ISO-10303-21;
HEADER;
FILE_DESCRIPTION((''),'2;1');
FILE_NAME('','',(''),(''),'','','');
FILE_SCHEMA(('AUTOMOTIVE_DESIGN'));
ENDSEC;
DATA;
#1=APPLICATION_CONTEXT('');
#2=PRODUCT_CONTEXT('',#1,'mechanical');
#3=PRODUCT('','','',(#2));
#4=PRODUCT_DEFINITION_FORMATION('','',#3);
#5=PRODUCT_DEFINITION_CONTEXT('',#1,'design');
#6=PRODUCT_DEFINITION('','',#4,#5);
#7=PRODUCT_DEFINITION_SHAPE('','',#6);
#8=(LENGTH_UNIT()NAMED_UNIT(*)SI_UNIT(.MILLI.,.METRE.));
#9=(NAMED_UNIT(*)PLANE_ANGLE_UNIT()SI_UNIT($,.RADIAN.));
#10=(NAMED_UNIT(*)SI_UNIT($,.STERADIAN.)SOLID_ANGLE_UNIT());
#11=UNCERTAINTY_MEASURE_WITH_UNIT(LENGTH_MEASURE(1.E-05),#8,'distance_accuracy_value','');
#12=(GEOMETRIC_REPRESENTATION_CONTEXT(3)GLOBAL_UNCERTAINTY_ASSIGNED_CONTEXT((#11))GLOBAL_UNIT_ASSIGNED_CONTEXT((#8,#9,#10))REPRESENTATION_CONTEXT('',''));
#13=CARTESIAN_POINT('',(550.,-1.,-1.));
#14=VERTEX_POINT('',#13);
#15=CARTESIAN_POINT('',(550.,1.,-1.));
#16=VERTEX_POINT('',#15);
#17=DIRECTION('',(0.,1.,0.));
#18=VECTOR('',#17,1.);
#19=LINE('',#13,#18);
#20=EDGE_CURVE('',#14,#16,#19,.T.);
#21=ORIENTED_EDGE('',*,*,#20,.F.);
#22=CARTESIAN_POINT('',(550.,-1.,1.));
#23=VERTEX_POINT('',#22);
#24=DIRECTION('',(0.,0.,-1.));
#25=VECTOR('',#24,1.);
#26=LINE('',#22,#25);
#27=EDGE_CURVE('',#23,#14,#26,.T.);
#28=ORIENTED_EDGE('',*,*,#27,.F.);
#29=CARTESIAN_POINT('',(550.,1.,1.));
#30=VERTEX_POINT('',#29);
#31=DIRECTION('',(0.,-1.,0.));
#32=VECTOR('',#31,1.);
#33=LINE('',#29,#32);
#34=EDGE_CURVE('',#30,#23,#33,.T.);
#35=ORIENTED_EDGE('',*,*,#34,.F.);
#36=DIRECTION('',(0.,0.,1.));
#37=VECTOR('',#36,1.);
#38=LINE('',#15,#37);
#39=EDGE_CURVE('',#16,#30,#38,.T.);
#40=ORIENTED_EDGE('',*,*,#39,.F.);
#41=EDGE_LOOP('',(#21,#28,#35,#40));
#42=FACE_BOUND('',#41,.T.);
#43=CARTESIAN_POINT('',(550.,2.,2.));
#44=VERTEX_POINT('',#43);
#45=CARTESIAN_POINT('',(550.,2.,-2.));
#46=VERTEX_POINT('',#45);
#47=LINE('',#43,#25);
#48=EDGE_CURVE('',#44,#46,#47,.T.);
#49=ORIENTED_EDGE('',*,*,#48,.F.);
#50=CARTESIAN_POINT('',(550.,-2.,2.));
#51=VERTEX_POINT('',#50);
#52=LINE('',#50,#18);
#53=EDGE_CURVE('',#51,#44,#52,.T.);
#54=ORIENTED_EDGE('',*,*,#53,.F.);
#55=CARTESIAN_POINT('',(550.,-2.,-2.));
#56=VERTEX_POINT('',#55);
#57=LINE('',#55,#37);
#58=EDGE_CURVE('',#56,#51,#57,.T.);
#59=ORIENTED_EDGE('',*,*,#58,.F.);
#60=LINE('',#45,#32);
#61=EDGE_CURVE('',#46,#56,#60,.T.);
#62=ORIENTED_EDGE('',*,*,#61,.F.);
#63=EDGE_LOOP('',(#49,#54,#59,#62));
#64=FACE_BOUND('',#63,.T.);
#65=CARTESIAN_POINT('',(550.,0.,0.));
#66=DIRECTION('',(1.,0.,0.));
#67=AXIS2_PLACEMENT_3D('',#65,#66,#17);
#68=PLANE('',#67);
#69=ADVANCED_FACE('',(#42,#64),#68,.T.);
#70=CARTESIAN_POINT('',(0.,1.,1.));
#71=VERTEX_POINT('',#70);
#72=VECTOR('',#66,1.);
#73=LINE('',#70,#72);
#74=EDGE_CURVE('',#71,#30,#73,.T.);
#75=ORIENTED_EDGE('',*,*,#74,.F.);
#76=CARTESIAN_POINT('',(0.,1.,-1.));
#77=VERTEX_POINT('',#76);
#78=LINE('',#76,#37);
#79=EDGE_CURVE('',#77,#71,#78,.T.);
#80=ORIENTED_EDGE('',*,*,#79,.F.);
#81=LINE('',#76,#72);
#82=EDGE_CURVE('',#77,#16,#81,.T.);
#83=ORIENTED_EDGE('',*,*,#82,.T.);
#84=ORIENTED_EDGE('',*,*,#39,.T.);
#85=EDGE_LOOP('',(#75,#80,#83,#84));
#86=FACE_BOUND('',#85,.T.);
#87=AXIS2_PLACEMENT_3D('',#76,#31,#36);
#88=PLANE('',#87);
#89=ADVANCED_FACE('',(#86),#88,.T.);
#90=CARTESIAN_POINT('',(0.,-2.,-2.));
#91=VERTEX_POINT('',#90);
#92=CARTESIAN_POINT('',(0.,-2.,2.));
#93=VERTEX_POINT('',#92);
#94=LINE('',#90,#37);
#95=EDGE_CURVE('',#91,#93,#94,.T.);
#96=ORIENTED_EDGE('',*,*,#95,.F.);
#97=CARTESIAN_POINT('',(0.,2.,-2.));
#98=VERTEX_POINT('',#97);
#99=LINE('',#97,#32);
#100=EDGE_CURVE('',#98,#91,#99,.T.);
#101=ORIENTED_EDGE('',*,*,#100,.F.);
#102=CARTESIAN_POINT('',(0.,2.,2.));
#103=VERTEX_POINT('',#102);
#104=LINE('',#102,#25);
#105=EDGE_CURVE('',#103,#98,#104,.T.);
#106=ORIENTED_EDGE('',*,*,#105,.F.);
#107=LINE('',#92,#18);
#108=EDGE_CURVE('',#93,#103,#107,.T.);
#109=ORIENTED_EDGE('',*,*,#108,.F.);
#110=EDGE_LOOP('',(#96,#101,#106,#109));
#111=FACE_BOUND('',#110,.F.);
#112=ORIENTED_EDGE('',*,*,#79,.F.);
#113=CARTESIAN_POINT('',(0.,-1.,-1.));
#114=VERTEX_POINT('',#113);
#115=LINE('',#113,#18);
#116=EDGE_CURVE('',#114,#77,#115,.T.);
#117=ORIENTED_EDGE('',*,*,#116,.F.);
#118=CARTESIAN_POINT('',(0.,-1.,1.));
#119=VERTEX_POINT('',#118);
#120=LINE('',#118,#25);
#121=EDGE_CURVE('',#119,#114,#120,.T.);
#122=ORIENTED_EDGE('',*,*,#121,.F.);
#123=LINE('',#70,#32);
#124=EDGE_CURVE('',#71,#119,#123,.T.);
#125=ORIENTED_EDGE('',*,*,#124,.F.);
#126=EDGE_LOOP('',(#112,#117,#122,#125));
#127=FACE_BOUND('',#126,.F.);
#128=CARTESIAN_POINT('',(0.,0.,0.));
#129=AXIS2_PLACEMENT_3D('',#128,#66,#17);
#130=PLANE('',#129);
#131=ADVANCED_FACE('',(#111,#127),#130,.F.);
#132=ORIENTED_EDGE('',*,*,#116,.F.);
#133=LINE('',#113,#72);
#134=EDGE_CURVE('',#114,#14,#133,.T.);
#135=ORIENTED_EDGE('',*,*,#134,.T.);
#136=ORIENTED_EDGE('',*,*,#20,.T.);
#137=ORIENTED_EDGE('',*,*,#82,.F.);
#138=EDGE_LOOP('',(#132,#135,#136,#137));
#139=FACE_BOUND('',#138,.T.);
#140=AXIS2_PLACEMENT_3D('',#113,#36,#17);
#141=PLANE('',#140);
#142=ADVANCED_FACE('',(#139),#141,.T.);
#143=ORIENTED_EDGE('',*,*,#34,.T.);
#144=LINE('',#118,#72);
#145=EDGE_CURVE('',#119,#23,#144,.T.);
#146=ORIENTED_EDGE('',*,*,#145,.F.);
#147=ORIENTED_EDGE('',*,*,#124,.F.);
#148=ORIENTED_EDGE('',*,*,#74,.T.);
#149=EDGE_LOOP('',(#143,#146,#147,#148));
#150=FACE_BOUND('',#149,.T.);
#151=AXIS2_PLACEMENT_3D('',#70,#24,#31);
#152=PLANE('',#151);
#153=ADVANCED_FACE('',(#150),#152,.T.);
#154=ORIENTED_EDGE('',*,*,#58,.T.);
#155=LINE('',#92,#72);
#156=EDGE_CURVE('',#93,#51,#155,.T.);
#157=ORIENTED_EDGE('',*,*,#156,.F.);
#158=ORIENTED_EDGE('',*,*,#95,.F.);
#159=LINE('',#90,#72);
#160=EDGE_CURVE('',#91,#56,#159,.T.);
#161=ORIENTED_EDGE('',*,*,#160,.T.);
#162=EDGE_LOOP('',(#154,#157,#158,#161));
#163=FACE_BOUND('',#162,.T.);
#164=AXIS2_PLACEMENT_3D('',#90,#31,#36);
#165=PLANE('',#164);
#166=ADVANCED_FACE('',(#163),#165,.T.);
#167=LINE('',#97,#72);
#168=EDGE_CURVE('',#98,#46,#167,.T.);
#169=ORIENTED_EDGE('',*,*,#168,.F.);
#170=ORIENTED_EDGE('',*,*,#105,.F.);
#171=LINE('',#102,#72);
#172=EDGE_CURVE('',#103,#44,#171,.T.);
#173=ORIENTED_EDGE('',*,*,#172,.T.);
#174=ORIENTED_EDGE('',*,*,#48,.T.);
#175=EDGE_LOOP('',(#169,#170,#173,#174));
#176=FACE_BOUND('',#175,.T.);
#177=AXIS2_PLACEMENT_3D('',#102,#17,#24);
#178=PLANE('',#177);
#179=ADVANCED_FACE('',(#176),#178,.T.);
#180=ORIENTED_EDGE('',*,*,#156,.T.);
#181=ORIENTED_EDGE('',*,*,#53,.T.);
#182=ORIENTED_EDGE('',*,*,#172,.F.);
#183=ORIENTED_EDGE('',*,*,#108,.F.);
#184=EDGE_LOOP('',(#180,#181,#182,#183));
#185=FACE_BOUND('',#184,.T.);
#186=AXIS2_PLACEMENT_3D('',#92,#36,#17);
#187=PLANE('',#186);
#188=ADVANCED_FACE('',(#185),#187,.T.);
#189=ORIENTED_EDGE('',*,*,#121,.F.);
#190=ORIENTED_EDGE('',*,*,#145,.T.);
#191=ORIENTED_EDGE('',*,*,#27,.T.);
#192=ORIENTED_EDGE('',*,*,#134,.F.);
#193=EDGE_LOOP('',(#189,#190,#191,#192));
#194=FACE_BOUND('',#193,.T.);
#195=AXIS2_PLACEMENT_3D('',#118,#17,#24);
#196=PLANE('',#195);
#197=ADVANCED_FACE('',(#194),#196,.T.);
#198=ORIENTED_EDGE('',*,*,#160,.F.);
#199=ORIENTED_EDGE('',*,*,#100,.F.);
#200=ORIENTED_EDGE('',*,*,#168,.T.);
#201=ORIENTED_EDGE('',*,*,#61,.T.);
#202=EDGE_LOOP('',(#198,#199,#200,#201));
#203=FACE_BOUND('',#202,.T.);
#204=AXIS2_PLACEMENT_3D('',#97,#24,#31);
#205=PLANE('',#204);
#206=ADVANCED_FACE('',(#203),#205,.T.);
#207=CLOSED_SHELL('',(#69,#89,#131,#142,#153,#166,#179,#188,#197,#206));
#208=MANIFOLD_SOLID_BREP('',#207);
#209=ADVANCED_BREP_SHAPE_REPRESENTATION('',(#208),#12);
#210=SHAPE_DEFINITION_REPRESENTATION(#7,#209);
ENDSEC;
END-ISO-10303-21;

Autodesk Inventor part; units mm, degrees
ref_plane "YZ Plane" through (0, 0, 0) normal (1, 0, 0) x (0, 1, 0)
sketch "Sketch1" plane through (0, 0, 0) normal (1, 0, 0) x (0, 1, 0)
  line L0 (-2, 2) -> (2, 2)
  line L1 (2, 2) -> (2, -2)
  line L2 (2, -2) -> (-2, -2)
  line L3 (-2, -2) -> (-2, 2)
  line L4 (-2, 2) -> (2, -2) construction
  line L5 (2, 2) -> (-2, -2) construction
  line L6 (1, 1) -> (-1, 1)
  line L7 (-1, 1) -> (-1, -1)
  line L8 (-1, -1) -> (1, -1)
  line L9 (1, -1) -> (1, 1)
  line L10 (1, 1) -> (-1, -1) construction
  line L11 (-1, 1) -> (1, -1) construction
  point P0 (0, 0)
  point P1 (0, 0)
  point P2 (0, 0)
  dimension "d8" = 4
  dimension "d9" = 4
  dimension "d10" = 2
  dimension "d11" = 2
extrude "Extrusion1" add sketch "Sketch1" along normal blind 550
properties part number "fuselage_rod" material "CFRP"
